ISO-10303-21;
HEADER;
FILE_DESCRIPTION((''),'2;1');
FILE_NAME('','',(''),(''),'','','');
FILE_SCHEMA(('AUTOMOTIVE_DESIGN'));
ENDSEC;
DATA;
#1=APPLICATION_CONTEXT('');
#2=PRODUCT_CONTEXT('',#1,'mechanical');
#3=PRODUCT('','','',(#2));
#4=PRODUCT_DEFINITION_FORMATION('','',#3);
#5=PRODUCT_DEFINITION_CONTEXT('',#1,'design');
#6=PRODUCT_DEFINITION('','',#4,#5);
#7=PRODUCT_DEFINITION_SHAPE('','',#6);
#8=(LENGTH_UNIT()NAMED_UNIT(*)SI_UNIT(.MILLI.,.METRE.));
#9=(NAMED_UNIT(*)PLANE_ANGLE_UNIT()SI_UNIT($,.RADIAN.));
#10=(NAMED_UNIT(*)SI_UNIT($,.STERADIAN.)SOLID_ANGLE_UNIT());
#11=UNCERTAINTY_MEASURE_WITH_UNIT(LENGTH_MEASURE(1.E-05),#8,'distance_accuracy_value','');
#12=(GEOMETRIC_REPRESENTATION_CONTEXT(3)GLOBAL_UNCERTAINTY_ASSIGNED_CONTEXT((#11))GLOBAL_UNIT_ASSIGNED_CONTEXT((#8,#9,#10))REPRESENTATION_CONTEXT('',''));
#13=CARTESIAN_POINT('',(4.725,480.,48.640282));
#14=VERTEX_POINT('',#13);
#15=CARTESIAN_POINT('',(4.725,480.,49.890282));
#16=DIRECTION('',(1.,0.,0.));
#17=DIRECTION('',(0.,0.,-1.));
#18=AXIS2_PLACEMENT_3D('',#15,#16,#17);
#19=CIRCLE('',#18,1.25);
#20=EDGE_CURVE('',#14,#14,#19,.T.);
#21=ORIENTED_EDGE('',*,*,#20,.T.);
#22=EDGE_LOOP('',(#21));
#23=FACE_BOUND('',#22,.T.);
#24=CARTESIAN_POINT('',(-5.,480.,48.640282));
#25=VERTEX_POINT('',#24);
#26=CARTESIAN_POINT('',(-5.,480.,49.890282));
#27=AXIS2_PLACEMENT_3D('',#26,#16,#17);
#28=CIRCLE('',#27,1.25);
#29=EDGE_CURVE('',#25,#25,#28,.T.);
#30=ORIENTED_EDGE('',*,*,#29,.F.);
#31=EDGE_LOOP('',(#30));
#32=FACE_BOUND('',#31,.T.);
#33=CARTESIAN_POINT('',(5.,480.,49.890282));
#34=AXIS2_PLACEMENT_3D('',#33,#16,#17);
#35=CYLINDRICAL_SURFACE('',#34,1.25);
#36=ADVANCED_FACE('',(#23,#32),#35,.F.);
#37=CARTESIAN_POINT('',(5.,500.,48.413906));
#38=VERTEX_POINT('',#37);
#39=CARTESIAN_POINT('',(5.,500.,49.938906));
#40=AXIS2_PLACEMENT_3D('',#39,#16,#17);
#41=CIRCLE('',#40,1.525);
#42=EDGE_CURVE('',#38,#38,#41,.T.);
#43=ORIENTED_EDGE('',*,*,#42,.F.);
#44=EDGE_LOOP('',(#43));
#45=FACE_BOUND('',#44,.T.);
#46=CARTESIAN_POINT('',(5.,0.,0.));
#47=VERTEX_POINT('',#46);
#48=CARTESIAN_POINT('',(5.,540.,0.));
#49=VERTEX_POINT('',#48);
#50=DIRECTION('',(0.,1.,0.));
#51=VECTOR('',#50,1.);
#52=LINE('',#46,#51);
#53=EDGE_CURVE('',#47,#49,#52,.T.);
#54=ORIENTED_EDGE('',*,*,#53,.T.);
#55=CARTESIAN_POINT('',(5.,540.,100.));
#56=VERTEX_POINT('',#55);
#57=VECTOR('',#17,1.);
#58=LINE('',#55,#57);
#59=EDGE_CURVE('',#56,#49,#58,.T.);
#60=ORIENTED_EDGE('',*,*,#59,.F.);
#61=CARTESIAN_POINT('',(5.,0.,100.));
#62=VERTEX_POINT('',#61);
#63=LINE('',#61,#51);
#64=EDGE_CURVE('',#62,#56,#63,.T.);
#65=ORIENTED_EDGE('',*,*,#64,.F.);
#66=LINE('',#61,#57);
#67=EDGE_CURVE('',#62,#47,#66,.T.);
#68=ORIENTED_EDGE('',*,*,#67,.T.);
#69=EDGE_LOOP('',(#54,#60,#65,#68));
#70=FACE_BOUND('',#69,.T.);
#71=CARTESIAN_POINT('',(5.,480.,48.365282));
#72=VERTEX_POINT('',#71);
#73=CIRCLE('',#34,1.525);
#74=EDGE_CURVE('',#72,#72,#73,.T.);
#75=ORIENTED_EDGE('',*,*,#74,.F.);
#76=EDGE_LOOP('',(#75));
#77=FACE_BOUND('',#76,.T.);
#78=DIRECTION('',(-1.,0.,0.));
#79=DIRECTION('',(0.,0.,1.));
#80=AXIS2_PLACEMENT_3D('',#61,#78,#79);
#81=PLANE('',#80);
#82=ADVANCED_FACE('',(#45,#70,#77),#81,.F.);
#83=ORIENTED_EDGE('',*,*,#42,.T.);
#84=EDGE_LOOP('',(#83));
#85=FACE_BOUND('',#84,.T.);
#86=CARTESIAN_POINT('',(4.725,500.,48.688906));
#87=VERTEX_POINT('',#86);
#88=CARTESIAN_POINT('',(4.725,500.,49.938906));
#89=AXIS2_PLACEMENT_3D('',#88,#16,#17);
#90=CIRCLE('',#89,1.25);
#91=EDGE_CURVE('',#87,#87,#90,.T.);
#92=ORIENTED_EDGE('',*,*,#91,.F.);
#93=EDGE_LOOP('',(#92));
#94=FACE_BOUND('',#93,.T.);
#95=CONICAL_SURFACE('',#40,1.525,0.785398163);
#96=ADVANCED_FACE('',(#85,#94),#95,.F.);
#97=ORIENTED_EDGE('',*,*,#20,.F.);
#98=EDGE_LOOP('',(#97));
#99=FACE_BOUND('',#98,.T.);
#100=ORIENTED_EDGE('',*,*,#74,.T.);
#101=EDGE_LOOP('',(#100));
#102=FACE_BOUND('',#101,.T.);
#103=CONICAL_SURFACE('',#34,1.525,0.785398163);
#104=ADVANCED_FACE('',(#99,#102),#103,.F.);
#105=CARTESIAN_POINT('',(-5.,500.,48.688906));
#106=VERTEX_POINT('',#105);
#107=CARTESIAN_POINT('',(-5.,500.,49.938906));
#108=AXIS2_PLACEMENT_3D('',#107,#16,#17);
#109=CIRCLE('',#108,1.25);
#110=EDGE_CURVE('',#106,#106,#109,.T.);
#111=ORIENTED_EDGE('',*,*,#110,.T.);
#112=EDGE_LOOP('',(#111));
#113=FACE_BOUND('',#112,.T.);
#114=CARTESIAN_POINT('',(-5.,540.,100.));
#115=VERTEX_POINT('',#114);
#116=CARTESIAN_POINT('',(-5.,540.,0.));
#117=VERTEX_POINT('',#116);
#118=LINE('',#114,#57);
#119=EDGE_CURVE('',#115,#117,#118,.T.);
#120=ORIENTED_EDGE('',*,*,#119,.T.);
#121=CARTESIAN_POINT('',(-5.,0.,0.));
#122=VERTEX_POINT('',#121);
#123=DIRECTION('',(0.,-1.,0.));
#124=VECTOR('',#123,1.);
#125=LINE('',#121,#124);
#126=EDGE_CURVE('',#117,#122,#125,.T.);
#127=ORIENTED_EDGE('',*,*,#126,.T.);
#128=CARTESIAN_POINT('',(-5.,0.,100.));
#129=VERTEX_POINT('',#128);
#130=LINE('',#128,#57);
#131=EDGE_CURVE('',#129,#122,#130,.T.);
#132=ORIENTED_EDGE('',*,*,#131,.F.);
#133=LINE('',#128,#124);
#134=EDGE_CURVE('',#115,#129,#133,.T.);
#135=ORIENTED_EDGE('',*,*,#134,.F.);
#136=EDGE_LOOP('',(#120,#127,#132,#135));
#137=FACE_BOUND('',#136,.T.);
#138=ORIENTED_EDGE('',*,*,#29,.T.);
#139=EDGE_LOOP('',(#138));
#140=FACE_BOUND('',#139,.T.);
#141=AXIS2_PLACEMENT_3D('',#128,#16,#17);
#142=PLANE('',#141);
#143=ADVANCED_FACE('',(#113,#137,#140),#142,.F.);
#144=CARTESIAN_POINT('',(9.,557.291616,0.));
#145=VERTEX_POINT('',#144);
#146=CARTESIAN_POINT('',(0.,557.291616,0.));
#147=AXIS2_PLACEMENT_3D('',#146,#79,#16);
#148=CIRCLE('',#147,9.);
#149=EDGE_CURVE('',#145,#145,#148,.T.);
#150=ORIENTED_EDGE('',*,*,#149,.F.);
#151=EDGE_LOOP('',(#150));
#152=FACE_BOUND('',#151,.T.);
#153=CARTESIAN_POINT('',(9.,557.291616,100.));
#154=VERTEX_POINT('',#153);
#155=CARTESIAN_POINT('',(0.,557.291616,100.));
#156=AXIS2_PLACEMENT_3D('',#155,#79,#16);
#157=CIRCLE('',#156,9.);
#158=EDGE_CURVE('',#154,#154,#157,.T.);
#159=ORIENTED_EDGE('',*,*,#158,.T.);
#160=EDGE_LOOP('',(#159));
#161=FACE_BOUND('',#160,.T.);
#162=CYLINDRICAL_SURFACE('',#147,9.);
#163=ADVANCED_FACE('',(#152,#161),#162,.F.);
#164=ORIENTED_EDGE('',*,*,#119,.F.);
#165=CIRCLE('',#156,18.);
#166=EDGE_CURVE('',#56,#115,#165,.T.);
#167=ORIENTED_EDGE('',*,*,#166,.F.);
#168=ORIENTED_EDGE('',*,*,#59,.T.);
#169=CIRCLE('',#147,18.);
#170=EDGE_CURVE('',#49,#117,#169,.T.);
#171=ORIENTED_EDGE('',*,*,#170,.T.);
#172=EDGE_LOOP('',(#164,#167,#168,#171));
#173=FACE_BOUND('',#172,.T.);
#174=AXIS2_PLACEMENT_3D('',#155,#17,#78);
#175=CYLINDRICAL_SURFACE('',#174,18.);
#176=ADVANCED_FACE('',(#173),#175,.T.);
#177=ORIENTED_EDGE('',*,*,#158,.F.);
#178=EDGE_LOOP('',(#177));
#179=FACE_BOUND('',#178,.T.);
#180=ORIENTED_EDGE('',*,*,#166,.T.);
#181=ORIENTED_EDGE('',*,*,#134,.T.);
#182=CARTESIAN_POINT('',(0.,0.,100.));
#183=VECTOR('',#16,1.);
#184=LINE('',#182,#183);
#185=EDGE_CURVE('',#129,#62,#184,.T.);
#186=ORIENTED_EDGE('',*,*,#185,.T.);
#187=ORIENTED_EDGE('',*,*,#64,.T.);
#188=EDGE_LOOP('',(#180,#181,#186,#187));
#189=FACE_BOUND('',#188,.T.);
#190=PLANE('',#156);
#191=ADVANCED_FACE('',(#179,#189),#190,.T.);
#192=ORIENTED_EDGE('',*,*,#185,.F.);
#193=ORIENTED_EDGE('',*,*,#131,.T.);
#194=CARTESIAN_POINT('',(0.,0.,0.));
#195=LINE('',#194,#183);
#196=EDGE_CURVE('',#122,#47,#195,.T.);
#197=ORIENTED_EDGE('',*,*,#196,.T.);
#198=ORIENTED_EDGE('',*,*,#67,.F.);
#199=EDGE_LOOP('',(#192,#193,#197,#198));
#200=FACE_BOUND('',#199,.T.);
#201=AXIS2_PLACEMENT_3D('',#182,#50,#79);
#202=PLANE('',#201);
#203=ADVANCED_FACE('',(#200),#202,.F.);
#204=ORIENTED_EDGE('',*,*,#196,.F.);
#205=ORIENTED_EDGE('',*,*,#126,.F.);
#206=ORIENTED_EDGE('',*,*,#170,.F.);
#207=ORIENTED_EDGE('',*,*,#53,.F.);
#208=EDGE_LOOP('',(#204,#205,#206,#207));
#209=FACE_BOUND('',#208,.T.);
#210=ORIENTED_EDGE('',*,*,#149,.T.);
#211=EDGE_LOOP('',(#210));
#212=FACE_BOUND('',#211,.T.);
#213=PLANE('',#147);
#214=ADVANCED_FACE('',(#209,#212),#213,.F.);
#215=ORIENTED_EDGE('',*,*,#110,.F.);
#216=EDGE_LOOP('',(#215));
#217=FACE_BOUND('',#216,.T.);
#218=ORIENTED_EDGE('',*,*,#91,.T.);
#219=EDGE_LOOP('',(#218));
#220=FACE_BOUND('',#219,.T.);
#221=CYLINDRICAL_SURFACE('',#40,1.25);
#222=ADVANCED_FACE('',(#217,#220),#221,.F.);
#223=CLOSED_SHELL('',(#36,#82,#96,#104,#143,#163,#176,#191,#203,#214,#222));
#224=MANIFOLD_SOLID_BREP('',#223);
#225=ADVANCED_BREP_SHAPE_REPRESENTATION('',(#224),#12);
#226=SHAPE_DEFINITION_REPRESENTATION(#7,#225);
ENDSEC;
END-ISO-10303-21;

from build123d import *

# Parameters (mm, degrees)
EXTRUDE_1_DEPTH              = 100
SKETCH_2_R                   = 9
CUT_EXTRUDE_1_DEPTH          = 100
HOLE_WIZARD_M3_3_D           = 2.5
HOLE_WIZARD_M3_3_CSINK_D     = 3.05
HOLE_WIZARD_M3_3_CSINK_ANGLE = 90
HOLE_WIZARD_M3_4_D           = 2.5
HOLE_WIZARD_M3_4_CSINK_D     = 3.05
HOLE_WIZARD_M3_4_CSINK_ANGLE = 90


with BuildPart() as part:
    # 草图1 → 凸台-拉伸1 (new body)
    with BuildSketch(Plane.XY):
        with BuildLine():
            Line((0, 0), (5, 0))
            Line((5, 0), (5, 540))
            ThreePointArc((5, 540), (0, 575.291616466), (-5, 540))
            Line((-5, 540), (-5, 0))
            Line((-5, 0), (0, 0))
        make_face()
    extrude(amount=EXTRUDE_1_DEPTH)

    # 草图2 → 切除-拉伸1 (cut)
    with BuildSketch(Plane.XY.offset(100)):
        with Locations((0, 557.291616466)):
            Circle(SKETCH_2_R)
    extrude(amount=-CUT_EXTRUDE_1_DEPTH, mode=Mode.SUBTRACT)

    # M3 螺纹孔3 (through all)
    with Locations(Plane(origin=(5, 500, 49.938905555), x_dir=(0, 0, 1), z_dir=(1, 0, 0))):
        with Locations((0, 0)):
            CounterSinkHole(HOLE_WIZARD_M3_3_D / 2, HOLE_WIZARD_M3_3_CSINK_D / 2, counter_sink_angle=HOLE_WIZARD_M3_3_CSINK_ANGLE)

    # M3 螺纹孔4 (through all)
    with Locations(Plane(origin=(5, 480, 49.890282126), x_dir=(0, 0, 1), z_dir=(1, 0, 0))):
        with Locations((0, 0)):
            CounterSinkHole(HOLE_WIZARD_M3_4_D / 2, HOLE_WIZARD_M3_4_CSINK_D / 2, counter_sink_angle=HOLE_WIZARD_M3_4_CSINK_ANGLE)


solid = part.part
